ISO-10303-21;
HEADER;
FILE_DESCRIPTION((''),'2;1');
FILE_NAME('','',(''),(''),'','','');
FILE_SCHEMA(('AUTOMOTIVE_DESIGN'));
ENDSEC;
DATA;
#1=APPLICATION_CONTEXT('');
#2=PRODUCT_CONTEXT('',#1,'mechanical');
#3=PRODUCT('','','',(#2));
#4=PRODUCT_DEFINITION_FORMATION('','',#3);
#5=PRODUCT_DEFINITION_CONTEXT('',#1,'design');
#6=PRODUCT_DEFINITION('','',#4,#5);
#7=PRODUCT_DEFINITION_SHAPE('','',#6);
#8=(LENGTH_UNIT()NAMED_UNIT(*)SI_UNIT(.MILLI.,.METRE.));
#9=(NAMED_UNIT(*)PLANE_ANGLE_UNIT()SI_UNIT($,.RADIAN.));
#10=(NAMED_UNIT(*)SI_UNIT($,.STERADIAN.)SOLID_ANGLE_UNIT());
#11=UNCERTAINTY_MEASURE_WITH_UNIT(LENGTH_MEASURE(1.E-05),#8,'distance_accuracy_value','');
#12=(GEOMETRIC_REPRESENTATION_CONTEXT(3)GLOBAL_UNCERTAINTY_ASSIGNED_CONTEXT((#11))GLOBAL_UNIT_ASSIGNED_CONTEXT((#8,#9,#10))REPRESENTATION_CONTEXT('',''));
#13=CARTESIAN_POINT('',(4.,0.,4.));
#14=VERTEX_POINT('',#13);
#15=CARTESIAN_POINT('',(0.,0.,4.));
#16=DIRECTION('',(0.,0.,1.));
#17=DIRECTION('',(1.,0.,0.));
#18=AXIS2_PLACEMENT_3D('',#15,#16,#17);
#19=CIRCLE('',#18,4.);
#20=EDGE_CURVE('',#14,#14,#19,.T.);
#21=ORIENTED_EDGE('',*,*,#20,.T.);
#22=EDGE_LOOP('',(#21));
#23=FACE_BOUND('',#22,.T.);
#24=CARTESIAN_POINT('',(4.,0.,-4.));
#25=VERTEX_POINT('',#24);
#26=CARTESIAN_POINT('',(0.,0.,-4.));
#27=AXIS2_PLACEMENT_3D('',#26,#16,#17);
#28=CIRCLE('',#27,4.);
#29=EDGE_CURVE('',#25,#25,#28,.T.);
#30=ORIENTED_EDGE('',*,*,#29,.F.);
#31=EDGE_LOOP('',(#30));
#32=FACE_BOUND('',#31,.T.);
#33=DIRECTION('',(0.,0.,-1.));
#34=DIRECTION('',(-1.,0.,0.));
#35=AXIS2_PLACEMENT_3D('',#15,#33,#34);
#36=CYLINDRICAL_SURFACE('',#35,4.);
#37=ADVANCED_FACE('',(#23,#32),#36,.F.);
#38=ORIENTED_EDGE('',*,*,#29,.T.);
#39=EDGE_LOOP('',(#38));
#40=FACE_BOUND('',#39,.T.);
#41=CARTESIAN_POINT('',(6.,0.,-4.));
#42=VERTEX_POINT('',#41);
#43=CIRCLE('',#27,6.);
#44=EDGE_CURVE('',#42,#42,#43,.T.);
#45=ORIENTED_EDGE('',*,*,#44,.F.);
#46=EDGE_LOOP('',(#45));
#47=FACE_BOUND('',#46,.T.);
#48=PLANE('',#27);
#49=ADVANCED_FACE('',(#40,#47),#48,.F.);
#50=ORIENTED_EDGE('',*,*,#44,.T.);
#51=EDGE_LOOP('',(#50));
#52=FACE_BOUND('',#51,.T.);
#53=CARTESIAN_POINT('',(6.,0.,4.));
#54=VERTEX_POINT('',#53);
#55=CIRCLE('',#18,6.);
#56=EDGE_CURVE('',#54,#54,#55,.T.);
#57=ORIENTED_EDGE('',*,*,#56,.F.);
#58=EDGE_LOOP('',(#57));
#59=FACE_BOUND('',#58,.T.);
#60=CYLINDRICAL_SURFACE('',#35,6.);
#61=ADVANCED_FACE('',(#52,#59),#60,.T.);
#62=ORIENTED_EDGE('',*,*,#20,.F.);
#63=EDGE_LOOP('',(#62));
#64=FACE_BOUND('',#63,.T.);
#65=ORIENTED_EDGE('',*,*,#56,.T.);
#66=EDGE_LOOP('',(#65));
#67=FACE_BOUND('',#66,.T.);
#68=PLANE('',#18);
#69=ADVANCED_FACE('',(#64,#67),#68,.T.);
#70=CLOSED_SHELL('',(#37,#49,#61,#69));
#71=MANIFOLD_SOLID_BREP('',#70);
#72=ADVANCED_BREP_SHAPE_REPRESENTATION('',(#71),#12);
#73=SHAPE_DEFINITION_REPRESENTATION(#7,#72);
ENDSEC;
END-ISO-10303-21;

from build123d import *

# Parameters (mm, degrees)
SKETCH1_R      = 6
SKETCH1_R_2    = 4
EXTRUDE1_DEPTH = 4


with BuildPart() as part:
    # Sketch1 → Extrude1 (new body, symmetric)
    with BuildSketch(Plane.XY):
        Circle(SKETCH1_R)
        Circle(SKETCH1_R_2, mode=Mode.SUBTRACT)
    extrude(amount=EXTRUDE1_DEPTH, both=True)


solid = part.part
